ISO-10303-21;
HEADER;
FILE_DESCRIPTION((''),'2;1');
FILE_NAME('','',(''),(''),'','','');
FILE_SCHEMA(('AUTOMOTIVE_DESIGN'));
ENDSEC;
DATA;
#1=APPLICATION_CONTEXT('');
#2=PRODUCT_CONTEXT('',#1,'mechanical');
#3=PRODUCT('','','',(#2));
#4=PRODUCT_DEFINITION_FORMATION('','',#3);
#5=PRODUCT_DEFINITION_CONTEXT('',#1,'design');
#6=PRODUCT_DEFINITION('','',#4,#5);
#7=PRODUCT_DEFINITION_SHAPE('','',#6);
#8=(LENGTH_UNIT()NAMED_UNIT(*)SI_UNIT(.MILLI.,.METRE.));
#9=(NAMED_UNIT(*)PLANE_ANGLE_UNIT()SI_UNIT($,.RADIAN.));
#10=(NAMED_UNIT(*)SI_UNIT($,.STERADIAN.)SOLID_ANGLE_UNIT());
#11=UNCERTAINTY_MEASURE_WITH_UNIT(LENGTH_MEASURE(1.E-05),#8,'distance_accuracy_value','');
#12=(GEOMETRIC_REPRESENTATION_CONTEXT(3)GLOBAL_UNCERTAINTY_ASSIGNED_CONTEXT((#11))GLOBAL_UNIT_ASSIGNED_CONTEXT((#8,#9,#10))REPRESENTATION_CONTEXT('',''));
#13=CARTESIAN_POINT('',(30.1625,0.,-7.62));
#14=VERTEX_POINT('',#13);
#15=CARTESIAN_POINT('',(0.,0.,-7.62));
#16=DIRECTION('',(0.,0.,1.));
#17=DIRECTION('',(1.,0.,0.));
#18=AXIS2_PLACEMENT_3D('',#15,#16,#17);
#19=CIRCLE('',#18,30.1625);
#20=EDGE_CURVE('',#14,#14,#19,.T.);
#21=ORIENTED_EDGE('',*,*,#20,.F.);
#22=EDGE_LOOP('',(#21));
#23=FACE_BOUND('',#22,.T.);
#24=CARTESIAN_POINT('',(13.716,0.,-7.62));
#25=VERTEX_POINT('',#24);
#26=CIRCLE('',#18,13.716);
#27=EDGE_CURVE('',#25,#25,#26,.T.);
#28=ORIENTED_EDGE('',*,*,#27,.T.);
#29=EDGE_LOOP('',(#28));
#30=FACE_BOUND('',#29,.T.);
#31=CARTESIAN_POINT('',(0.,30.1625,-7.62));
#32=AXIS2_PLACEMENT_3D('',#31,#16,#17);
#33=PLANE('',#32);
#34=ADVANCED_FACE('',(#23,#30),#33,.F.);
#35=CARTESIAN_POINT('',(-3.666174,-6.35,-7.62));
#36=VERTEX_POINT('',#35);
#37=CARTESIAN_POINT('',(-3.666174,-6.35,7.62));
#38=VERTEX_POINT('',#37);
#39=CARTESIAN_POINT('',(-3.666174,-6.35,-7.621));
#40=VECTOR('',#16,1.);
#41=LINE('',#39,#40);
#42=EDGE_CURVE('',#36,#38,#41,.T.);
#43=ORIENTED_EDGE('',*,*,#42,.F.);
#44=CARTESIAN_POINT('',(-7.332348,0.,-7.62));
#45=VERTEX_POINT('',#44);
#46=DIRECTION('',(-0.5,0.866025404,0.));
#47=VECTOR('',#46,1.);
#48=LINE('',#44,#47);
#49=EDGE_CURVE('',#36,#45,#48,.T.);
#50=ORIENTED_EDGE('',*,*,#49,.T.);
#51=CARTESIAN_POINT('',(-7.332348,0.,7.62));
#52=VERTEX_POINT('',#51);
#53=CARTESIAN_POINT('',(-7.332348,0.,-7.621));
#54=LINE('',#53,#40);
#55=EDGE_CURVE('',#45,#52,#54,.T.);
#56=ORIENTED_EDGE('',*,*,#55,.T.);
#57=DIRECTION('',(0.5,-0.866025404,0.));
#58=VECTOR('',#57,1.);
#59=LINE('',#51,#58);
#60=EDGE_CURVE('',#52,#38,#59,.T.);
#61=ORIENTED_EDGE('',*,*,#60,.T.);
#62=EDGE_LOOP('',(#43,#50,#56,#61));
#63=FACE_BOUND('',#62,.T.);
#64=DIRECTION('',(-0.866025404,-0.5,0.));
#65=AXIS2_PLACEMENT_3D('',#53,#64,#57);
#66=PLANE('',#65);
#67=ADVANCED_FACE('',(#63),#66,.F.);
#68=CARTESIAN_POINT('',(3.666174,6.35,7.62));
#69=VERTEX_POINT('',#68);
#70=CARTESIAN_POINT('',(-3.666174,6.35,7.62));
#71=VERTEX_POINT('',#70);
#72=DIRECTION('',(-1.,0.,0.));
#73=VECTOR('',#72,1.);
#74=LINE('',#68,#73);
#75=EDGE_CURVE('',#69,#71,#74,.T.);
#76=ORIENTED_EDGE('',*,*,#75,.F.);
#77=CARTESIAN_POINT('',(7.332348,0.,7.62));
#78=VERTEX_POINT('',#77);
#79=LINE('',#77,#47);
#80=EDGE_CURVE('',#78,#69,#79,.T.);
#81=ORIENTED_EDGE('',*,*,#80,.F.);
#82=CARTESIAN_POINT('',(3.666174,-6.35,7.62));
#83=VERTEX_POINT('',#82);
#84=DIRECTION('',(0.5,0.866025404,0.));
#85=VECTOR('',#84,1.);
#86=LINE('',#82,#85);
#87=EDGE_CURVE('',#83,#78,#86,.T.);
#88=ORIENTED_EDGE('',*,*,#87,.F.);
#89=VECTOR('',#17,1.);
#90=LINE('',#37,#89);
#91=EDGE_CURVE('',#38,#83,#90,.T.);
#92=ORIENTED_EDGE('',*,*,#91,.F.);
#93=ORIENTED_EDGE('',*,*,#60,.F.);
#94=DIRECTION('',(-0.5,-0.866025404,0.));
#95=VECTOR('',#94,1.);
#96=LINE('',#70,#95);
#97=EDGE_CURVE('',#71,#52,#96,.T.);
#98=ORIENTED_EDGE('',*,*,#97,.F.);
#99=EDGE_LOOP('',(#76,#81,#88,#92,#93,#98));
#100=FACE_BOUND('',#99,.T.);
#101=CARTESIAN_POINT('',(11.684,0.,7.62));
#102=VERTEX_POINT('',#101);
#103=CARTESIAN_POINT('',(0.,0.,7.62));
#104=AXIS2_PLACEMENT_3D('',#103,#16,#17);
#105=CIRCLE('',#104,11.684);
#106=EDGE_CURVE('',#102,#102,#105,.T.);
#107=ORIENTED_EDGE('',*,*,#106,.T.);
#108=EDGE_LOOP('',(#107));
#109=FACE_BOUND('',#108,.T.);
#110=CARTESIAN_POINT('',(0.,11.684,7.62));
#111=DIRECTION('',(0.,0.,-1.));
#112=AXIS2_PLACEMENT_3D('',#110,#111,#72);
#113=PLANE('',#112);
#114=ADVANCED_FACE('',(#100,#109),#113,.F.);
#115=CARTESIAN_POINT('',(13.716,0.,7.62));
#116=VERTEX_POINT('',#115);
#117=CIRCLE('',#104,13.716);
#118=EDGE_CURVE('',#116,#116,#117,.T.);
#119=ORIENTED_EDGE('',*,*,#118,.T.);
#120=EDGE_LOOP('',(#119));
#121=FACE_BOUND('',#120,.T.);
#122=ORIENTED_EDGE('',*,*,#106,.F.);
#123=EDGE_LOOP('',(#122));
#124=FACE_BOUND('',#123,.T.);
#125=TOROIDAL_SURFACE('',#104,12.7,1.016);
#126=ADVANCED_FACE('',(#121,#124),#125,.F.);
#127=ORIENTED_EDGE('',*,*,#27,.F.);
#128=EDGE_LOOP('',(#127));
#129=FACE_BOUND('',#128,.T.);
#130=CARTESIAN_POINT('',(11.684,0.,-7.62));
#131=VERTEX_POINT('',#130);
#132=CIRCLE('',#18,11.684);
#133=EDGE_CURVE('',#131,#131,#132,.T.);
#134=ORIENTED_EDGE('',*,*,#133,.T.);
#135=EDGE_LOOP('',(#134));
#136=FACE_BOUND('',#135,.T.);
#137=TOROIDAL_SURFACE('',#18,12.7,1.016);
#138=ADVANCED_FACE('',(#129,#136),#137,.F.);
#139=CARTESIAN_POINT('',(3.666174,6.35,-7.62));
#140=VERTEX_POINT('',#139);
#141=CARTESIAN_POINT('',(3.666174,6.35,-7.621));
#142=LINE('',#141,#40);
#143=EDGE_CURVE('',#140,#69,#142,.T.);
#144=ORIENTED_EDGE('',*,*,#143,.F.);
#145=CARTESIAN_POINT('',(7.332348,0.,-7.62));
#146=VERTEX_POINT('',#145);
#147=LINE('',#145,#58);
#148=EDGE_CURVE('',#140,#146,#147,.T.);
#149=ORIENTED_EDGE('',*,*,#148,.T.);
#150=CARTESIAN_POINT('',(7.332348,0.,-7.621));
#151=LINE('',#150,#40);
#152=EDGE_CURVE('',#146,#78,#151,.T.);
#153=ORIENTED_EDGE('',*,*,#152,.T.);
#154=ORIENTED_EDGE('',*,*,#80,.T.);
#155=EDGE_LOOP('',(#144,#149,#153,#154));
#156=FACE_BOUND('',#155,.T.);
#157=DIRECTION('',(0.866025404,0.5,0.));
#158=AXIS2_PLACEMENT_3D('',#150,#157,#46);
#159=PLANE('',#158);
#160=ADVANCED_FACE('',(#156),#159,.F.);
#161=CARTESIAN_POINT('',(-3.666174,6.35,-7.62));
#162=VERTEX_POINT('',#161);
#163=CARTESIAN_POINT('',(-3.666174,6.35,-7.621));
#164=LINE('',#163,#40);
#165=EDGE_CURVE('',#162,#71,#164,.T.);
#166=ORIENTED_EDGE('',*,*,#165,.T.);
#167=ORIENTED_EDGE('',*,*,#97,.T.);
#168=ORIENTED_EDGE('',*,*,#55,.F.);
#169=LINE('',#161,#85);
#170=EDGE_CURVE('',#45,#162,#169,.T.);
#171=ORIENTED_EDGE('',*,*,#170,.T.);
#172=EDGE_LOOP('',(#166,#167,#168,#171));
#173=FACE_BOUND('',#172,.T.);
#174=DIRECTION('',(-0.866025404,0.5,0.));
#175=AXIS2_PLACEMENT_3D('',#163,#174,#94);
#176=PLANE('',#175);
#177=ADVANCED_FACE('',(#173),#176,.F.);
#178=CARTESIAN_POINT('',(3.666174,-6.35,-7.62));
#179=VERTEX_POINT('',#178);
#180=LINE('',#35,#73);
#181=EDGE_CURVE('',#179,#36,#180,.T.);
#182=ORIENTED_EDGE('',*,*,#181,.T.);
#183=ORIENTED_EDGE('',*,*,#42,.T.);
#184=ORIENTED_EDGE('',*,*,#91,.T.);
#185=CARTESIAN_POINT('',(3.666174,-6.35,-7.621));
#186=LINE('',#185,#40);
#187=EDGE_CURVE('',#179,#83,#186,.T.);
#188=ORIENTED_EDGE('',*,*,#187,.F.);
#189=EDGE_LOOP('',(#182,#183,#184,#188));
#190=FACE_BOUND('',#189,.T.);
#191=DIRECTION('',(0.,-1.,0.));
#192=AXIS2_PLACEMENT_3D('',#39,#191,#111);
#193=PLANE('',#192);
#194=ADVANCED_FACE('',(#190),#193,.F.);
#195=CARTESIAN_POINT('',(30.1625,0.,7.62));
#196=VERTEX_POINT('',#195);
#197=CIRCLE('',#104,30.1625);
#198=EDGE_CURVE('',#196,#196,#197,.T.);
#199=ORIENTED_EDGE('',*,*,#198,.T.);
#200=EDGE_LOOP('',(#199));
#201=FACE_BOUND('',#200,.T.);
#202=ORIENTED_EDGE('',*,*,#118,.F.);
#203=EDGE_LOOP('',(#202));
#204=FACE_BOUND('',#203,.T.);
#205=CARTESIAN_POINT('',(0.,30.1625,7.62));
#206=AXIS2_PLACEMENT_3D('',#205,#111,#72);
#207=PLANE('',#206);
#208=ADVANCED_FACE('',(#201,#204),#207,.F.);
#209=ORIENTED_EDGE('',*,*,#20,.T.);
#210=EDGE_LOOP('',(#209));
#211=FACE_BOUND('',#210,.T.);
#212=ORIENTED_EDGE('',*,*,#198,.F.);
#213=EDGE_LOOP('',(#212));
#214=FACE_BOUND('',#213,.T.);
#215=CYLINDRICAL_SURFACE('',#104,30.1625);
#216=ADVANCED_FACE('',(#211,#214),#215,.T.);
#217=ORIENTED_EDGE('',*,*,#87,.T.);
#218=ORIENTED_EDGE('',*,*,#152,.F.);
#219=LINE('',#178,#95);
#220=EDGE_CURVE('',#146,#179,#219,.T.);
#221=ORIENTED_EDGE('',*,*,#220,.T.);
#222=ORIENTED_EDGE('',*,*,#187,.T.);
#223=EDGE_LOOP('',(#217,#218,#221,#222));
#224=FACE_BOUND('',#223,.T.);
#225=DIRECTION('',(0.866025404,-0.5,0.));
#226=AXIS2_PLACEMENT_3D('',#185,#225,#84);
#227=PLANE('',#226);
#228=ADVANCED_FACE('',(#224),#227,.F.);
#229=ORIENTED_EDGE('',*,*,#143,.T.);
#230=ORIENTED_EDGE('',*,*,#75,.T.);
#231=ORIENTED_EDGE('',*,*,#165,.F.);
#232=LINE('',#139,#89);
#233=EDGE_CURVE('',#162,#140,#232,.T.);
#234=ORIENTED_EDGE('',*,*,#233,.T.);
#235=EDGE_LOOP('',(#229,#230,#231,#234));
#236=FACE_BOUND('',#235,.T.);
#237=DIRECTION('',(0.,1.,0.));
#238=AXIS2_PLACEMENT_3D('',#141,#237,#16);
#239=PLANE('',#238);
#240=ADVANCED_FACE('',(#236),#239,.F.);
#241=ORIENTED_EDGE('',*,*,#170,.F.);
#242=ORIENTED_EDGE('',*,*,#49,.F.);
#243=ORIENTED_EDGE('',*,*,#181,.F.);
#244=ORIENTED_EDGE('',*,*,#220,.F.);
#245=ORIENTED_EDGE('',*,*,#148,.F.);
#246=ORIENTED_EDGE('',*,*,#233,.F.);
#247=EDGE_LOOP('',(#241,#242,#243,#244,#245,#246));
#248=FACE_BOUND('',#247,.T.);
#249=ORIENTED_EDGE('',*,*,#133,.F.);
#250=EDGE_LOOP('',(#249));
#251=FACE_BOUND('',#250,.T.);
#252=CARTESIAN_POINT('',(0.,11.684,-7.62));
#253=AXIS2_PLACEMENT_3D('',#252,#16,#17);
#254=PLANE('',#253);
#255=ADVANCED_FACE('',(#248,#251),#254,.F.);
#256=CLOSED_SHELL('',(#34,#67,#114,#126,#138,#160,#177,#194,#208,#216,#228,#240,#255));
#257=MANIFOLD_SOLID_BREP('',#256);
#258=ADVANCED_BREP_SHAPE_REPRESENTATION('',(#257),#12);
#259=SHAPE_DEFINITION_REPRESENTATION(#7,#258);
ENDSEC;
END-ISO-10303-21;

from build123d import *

# Parameters (mm, degrees)
CUT_EXTRUDE1_REACH = 47.297


with BuildPart() as part:
    # Sketch1 → Revolve1 (revolve)
    with BuildSketch(Plane(origin=(0, 0, 0), x_dir=(0, 0, -1), z_dir=(1, 0, 0)), mode=Mode.PRIVATE) as revolve1_sk:
        with BuildLine():
            Line((-7.62, 30.1625), (7.62, 30.1625))
            Line((7.62, 30.1625), (7.62, 13.716))
            ThreePointArc((7.62, 13.716), (6.604, 12.7), (7.62, 11.684))
            Line((7.62, 11.684), (7.62, 0))
            Line((7.62, 0), (-7.62, 0))
            Line((-7.62, 0), (-7.62, 11.684))
            ThreePointArc((-7.62, 11.684), (-6.604, 12.7), (-7.62, 13.716))
            Line((-7.62, 13.716), (-7.62, 30.1625))
        make_face()
    revolve(revolve1_sk.sketch.rotate(Axis((0, 0, 7.62), (0, 0, -1)), 90), axis=Axis((0, 0, 7.62), (0, 0, -1)))

    # Sketch2 → Cut-Extrude1 (cut, up to next)
    with BuildSketch(Plane.XY.offset(7.62), mode=Mode.PRIVATE) as cut_extrude1_sk1:
        Polygon((-3.666174209, 6.35), (-7.332348419, 0), (-3.666174209, -6.35), (3.666174209, -6.35), (7.332348419, 0), (3.666174209, 6.35), align=None)
    cut_extrude1_tool1 = extrude(cut_extrude1_sk1.sketch, amount=-CUT_EXTRUDE1_REACH, mode=Mode.PRIVATE) & part.part
    add(cut_extrude1_tool1.solids().sort_by_distance((0, 0, 7.62))[0], mode=Mode.SUBTRACT)


solid = part.part
